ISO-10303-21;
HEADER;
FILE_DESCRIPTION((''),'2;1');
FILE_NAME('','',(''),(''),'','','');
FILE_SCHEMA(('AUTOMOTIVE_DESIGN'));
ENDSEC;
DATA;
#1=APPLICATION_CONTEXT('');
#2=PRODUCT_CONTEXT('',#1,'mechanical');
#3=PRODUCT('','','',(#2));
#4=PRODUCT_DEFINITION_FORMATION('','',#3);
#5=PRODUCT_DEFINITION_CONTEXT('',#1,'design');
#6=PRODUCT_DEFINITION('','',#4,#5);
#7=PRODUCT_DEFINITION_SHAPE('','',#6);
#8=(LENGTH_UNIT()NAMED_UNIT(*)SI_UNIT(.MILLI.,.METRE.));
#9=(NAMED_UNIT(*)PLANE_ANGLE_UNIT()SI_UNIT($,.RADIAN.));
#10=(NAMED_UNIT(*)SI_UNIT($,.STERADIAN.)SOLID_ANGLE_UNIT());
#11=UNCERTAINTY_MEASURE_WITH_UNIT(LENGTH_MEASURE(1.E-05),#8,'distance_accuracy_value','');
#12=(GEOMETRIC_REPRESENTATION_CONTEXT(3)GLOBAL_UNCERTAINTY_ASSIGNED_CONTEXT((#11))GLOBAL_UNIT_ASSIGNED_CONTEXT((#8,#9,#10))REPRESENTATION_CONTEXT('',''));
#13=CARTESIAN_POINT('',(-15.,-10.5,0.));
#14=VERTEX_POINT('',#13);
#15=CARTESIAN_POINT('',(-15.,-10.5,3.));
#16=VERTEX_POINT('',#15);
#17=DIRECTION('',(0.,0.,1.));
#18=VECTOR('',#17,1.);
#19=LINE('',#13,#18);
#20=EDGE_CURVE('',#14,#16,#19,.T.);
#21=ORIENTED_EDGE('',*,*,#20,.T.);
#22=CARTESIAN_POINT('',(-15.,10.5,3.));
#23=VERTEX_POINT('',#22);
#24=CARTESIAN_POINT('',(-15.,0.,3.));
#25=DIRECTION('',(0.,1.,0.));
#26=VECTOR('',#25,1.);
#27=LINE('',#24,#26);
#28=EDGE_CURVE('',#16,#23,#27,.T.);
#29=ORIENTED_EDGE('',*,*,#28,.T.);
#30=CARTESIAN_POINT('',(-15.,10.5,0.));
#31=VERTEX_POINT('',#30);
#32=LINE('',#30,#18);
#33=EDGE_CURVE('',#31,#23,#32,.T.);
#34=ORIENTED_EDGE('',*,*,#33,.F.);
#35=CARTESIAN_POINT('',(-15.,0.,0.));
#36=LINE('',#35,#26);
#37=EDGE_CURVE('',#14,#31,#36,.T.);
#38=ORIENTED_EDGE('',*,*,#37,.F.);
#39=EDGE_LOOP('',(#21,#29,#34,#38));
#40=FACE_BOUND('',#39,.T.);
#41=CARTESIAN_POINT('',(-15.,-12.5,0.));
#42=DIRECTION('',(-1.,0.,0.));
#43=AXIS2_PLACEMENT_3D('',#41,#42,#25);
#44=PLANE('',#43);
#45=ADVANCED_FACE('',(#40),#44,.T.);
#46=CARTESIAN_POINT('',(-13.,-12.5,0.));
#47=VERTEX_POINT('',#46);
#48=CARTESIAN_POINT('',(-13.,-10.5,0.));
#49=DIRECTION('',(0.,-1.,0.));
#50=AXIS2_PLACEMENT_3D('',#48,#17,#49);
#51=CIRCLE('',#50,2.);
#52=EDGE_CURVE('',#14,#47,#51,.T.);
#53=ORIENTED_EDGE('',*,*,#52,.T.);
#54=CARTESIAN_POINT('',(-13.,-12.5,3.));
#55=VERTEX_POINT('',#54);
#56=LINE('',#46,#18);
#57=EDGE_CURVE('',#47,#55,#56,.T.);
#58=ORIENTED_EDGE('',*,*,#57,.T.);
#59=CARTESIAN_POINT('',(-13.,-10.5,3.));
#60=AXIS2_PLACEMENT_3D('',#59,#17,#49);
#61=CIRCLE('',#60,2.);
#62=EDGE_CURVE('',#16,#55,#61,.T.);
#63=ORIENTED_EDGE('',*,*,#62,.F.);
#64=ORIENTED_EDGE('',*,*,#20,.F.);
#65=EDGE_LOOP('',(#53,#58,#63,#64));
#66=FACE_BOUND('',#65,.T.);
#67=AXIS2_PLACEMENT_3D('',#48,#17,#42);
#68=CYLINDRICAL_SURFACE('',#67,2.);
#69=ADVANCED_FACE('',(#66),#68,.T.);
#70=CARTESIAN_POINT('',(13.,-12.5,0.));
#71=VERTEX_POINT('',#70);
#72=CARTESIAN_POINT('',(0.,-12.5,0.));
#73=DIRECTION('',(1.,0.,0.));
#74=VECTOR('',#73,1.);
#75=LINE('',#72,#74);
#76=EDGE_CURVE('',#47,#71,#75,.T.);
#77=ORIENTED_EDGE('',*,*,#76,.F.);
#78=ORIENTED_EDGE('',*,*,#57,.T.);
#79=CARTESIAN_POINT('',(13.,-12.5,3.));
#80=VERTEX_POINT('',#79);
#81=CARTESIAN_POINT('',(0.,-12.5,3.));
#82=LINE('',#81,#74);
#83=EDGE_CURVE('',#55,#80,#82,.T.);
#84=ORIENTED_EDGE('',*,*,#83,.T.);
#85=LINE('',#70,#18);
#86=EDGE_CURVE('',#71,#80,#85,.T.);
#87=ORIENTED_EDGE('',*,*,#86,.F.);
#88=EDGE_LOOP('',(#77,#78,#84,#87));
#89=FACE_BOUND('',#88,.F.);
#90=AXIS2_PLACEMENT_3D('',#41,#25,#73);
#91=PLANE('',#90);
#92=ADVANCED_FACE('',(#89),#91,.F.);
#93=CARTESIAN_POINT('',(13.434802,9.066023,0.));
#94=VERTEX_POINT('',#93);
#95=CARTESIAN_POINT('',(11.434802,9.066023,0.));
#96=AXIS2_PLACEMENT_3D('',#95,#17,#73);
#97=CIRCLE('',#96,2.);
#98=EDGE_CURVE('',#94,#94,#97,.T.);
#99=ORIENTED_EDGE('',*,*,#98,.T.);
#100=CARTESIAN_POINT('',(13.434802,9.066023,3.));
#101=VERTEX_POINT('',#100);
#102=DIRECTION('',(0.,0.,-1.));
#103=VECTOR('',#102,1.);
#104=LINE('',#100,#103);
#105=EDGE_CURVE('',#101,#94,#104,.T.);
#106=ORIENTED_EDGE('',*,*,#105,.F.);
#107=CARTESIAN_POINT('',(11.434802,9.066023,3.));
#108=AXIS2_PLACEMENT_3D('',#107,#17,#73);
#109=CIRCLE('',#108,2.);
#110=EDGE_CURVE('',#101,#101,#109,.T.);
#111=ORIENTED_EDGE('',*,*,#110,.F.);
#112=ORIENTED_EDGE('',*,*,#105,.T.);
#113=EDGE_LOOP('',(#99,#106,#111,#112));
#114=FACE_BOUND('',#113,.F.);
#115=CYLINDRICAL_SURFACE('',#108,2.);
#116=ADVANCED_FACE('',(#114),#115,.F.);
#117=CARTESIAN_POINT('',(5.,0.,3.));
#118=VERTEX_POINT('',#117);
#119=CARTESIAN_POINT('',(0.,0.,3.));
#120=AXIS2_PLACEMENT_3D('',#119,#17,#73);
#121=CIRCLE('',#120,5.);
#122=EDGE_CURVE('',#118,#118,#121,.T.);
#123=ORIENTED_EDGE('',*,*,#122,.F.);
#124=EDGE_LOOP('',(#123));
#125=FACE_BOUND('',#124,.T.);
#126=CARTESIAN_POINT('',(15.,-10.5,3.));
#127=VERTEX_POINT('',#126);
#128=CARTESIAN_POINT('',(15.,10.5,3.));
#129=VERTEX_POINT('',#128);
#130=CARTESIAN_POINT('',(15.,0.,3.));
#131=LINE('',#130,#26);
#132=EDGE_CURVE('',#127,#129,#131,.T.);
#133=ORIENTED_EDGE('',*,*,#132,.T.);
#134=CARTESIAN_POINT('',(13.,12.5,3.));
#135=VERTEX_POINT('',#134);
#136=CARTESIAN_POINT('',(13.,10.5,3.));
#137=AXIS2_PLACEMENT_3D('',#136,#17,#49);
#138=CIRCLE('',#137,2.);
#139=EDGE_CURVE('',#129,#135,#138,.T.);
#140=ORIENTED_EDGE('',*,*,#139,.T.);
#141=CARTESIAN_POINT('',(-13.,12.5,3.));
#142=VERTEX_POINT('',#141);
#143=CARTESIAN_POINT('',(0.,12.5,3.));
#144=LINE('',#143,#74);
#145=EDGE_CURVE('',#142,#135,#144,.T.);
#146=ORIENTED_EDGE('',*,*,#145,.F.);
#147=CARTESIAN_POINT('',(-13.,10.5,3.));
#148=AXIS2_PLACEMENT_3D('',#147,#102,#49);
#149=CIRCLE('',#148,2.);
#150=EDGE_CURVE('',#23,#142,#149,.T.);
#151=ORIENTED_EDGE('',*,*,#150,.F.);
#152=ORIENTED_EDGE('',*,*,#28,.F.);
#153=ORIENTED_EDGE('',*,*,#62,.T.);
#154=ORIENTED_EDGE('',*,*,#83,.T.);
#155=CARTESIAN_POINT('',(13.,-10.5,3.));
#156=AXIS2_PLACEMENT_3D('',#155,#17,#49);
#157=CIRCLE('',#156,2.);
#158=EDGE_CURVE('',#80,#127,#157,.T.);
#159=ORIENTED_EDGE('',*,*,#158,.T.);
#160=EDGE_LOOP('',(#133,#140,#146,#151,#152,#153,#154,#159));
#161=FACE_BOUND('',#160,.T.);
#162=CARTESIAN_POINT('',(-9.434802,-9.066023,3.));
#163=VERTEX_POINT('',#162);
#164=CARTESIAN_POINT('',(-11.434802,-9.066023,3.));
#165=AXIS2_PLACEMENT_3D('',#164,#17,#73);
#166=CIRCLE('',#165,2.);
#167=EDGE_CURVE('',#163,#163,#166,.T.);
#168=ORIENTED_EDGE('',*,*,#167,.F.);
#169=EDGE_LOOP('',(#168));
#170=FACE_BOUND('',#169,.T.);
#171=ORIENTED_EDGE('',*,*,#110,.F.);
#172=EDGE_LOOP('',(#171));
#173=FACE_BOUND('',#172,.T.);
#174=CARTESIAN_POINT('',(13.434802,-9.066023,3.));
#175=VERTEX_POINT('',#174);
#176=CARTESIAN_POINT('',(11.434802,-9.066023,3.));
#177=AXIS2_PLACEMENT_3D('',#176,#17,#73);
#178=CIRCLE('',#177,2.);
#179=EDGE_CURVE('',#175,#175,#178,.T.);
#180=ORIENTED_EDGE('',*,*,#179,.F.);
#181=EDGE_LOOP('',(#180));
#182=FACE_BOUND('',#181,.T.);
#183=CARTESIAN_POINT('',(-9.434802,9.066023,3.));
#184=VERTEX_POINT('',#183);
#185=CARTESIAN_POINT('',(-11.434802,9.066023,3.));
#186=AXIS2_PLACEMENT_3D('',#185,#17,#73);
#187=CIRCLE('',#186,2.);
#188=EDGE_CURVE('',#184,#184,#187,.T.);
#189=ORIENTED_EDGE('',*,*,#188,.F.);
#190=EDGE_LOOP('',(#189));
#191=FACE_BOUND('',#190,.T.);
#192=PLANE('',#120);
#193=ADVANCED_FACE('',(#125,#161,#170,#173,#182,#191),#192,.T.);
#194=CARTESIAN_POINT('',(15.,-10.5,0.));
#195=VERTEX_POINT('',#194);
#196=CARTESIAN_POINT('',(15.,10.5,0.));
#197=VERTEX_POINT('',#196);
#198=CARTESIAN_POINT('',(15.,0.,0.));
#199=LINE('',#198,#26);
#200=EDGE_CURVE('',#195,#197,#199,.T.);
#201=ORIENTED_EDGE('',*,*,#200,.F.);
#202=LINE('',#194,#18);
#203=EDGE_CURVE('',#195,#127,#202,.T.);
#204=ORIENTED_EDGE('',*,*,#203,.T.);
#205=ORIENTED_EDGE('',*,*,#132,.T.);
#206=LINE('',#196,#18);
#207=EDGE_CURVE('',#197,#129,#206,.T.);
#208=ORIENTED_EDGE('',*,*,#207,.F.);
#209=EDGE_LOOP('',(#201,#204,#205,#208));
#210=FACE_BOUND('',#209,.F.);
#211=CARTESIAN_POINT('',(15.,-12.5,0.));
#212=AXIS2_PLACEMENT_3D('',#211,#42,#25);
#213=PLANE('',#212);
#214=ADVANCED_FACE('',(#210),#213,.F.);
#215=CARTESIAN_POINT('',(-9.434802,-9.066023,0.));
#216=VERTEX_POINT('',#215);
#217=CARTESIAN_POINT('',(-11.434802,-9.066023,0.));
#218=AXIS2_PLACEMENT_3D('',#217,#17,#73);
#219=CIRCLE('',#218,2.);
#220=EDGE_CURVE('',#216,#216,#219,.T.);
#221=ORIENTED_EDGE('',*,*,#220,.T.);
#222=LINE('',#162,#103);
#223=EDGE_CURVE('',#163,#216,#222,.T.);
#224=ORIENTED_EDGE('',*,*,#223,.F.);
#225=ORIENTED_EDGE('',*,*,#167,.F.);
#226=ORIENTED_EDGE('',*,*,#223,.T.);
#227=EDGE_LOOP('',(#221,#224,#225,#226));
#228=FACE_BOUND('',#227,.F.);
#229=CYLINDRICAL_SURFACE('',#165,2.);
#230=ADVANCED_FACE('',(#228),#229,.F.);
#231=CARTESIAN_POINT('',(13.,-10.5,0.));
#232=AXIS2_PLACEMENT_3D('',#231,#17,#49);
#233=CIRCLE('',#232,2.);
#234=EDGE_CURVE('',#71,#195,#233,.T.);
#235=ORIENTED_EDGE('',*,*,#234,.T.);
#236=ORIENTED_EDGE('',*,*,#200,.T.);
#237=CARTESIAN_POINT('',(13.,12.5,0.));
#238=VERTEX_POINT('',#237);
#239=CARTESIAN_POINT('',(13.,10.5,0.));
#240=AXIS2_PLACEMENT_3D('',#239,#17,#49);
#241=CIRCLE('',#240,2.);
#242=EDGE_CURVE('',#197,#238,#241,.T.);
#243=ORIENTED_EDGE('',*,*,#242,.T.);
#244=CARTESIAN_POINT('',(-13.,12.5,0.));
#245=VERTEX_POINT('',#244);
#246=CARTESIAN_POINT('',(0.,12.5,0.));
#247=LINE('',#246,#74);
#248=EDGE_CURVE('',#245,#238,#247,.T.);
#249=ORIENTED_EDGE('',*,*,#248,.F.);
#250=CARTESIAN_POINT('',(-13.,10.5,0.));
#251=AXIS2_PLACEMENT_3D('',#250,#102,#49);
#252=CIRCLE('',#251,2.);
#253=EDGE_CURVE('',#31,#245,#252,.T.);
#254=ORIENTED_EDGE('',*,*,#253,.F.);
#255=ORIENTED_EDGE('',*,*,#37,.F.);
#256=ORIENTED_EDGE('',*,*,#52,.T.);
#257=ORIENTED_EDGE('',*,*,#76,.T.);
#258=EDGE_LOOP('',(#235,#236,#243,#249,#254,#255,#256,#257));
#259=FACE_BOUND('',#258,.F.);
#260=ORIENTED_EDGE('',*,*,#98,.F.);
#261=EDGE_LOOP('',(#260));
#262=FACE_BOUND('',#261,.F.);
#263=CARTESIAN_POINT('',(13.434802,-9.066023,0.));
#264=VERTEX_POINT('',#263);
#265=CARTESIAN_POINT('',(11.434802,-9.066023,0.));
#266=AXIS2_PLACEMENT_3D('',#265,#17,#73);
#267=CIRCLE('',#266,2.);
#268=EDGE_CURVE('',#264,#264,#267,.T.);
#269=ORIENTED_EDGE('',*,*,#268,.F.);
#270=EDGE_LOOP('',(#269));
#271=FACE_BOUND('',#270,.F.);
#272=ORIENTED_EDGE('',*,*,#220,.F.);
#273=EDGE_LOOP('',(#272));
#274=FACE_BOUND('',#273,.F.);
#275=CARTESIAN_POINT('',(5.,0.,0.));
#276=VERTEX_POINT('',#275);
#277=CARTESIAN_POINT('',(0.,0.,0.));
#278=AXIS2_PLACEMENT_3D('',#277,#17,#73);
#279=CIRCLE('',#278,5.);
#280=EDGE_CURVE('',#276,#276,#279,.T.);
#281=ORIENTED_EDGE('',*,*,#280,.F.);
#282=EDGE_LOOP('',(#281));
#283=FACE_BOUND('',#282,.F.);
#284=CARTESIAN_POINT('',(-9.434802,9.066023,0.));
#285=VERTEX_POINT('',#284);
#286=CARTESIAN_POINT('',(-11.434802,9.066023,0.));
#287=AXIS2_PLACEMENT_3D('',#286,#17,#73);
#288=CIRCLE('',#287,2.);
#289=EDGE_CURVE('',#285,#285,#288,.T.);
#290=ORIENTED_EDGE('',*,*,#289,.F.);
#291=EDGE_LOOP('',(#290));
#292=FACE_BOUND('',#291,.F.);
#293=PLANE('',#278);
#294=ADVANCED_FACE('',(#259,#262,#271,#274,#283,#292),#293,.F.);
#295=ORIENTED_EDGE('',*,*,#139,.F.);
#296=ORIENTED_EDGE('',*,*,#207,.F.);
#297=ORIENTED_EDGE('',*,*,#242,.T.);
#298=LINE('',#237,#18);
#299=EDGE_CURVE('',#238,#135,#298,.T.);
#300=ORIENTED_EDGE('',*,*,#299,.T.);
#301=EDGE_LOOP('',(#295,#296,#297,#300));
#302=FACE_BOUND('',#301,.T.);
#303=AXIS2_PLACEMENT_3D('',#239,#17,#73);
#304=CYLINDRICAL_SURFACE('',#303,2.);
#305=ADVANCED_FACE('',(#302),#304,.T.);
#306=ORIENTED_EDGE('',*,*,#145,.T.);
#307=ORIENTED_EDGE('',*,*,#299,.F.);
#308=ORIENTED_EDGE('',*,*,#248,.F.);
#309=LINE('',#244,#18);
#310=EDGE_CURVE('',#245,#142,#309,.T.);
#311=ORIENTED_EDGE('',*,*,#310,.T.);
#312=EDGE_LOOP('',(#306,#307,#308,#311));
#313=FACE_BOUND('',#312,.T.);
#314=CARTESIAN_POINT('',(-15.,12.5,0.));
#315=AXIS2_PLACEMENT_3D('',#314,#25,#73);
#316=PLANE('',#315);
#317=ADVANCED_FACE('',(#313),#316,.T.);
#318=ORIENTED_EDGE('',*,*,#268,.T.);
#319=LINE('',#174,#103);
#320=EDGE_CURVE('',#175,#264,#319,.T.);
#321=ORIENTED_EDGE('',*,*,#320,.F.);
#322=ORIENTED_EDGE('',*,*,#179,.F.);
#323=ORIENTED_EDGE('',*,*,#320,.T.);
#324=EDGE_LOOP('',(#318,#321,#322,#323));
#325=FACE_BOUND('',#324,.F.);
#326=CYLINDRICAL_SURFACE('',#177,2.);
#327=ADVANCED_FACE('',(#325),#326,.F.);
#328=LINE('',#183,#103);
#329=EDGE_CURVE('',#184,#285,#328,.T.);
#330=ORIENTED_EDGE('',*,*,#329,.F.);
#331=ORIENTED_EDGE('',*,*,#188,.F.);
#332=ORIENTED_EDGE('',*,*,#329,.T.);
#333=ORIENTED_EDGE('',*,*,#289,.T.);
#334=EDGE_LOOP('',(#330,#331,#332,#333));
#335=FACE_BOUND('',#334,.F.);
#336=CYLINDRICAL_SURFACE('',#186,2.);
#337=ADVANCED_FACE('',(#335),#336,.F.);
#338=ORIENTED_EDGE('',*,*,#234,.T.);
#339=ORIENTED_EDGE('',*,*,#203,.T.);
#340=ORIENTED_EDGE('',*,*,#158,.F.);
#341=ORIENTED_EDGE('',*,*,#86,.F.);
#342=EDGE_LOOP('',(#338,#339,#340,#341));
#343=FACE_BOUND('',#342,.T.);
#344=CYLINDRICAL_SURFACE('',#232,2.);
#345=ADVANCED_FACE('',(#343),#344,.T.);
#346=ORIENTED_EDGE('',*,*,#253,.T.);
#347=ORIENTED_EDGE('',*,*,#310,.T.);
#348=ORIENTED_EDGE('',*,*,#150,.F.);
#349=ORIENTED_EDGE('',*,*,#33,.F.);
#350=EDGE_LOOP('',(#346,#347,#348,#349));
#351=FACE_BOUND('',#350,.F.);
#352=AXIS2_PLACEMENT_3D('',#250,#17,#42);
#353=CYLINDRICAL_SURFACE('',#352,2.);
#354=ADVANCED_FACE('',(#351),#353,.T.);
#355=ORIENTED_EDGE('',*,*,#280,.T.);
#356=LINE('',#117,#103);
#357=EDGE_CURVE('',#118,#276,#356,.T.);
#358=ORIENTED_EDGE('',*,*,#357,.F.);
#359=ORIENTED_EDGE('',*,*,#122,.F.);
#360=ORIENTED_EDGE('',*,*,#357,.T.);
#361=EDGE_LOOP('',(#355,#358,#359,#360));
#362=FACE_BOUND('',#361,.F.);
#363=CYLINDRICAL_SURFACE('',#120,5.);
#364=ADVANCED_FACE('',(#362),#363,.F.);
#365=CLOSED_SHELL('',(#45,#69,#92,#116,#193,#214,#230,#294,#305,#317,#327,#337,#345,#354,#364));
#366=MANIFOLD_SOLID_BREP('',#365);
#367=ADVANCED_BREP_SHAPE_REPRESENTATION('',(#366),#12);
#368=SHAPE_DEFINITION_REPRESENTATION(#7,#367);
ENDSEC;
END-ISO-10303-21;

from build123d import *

# Parameters (mm, degrees)
F0_W     = 30
F0_H     = 25
F1_DEPTH = 3
F2_R     = 2
F3_R     = 5
F4_DEPTH = 3
F5_R     = 2
F6_DEPTH = 3


with BuildPart() as f1:
    # F0 (on Top) → F1 (new body)
    with BuildSketch(Plane.XY):
        Rectangle(F0_W, F0_H)
    extrude(amount=F1_DEPTH)

    # F2
    f2_edges = [f1.edges().sort_by_distance(p)[0] for p in [
        (15, 12.5, 1.5),
        (-15, 12.5, 1.5),
        (-15, -12.5, 1.5),
        (15, -12.5, 1.5),
    ]]
    fillet(f2_edges, radius=F2_R)

    # F3 (on face) → F4 (cut)
    with BuildSketch(Plane.XY.offset(3)):
        Circle(F3_R)
    extrude(amount=-F4_DEPTH, mode=Mode.SUBTRACT)

    # F5 (on face) → F6 (cut)
    with BuildSketch(Plane.XY.offset(3)):
        with Locations((-11.434802, 9.066023)):
            Circle(F5_R)
        with Locations((11.434802, 9.066023)):
            Circle(F5_R)
        with Locations((-11.434802, -9.066023)):
            Circle(F5_R)
        with Locations((11.434802, -9.066023)):
            Circle(F5_R)
    extrude(amount=-F6_DEPTH, mode=Mode.SUBTRACT)


solid = f1.part
